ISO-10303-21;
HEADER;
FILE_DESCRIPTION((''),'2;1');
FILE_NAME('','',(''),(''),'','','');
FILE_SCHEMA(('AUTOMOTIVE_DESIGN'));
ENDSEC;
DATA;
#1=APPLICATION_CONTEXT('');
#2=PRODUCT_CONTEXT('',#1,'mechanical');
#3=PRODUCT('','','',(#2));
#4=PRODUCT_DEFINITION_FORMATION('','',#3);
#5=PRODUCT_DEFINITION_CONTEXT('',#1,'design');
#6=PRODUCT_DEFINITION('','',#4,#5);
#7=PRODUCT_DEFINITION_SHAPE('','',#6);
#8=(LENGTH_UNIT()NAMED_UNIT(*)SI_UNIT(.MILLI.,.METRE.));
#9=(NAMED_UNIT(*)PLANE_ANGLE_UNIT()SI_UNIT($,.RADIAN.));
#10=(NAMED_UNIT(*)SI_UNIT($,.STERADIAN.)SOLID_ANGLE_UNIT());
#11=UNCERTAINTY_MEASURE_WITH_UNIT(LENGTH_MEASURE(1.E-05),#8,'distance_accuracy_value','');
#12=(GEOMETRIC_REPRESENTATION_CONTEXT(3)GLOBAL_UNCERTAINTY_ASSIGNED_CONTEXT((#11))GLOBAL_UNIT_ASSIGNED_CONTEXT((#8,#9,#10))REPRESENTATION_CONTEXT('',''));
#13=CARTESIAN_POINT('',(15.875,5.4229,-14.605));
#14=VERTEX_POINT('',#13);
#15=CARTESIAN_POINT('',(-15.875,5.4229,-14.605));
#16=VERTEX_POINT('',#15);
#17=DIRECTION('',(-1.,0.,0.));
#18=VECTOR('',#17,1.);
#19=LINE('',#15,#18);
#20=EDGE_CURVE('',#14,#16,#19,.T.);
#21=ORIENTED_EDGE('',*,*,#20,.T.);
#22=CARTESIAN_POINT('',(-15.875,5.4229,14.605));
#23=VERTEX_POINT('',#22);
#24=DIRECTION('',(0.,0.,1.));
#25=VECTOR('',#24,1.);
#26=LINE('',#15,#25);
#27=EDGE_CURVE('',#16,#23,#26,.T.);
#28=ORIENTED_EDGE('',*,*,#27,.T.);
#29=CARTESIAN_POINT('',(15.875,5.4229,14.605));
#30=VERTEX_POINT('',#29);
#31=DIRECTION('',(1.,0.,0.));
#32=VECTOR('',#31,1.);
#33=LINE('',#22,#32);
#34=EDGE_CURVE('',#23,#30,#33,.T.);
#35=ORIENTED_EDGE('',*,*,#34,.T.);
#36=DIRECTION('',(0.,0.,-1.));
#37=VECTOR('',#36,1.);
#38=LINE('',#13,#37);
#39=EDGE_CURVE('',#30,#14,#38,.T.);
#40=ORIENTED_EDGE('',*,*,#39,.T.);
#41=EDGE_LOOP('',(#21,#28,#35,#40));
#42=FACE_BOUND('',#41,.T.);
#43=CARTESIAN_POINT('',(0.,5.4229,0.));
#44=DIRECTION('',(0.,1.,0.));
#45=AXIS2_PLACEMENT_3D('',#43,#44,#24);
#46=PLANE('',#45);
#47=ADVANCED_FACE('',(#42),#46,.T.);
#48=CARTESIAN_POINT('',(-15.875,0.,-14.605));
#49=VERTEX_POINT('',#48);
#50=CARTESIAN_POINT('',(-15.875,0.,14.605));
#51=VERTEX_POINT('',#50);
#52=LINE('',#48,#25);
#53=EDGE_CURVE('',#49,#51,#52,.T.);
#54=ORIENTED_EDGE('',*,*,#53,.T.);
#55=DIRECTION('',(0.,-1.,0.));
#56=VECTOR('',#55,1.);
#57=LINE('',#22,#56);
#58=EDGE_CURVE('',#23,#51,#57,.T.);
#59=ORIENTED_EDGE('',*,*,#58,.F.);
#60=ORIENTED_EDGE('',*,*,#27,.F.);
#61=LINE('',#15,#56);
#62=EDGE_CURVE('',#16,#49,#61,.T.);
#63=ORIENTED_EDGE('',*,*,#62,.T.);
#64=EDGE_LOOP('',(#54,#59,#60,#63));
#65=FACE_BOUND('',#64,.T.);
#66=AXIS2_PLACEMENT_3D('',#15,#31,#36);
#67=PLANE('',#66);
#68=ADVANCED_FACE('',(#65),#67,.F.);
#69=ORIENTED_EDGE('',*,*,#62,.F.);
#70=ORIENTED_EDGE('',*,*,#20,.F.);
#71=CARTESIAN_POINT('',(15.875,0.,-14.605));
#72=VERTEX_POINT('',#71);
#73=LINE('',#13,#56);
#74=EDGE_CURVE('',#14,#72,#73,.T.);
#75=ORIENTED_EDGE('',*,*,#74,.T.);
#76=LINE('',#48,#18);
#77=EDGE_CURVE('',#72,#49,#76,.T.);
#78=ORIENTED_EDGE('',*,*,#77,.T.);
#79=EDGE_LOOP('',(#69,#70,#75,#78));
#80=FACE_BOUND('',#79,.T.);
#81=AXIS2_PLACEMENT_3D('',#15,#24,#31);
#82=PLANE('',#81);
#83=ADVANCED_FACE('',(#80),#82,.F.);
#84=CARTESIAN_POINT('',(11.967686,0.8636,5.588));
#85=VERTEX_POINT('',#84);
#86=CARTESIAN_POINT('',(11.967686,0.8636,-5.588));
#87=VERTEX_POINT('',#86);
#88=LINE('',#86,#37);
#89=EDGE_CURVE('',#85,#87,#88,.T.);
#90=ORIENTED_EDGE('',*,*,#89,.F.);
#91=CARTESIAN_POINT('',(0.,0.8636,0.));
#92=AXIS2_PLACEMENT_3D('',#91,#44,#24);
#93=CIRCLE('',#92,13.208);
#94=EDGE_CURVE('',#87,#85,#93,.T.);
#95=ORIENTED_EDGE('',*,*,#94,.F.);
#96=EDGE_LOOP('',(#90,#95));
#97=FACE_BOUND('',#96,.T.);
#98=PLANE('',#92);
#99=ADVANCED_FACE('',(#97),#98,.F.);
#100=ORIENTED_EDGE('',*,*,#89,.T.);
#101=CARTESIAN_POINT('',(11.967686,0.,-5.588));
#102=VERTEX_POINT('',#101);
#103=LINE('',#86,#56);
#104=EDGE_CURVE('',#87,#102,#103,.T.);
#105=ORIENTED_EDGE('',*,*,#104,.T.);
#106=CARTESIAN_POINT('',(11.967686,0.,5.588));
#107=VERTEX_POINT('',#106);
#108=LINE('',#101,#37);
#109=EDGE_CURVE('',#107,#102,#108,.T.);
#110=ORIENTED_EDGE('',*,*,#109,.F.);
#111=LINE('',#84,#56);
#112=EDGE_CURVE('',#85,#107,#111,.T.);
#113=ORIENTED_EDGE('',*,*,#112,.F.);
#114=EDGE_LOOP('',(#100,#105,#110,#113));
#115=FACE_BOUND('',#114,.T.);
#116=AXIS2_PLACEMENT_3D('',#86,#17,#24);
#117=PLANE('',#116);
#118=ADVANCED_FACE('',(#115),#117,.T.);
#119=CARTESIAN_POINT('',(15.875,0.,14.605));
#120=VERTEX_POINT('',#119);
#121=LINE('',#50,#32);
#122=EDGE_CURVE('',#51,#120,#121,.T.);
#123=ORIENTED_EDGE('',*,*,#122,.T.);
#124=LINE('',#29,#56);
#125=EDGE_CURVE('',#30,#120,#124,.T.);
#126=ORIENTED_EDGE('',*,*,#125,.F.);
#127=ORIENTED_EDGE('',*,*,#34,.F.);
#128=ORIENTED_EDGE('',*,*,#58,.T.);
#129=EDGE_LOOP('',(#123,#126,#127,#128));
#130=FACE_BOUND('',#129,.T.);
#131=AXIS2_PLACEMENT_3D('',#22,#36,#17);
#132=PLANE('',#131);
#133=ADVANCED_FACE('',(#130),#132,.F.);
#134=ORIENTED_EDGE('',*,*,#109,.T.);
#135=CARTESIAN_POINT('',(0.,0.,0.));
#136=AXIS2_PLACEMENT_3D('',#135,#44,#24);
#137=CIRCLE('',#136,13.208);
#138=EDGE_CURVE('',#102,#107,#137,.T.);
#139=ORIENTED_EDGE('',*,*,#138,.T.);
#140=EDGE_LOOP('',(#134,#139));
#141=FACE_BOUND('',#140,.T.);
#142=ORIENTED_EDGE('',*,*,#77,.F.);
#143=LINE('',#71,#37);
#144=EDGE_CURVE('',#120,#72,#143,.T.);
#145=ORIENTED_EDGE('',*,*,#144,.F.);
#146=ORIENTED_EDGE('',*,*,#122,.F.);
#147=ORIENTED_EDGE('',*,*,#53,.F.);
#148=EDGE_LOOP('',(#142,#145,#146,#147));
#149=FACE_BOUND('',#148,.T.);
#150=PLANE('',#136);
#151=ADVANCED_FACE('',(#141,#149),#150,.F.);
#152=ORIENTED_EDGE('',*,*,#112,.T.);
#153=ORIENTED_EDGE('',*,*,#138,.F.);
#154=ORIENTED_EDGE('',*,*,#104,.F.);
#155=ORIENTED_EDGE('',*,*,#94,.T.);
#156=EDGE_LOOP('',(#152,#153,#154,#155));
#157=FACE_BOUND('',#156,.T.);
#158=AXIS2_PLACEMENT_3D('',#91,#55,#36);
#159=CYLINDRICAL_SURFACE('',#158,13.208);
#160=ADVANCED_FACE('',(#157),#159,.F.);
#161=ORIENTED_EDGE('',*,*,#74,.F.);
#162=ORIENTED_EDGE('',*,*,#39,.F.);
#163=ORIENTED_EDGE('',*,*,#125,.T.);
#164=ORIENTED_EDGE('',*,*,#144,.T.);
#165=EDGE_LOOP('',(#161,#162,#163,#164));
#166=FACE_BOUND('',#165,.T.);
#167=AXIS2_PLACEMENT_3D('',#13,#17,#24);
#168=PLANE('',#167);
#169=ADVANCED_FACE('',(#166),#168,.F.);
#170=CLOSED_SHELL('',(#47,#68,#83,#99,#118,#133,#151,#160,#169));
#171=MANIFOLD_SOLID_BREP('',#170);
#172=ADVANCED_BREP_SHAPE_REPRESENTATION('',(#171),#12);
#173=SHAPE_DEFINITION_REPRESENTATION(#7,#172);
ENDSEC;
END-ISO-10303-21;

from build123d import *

# Parameters (mm, degrees)
SKETCH3_W           = 31.75
SKETCH3_H           = 29.21
BOSS_EXTRUDE2_DEPTH = 5.4229
CUT_EXTRUDE1_DEPTH  = 0.8636


with BuildPart() as part:
    # Sketch3 → Boss-Extrude2 (new body)
    with BuildSketch(Plane(origin=(0, 0, 0), x_dir=(1, 0, 0), z_dir=(0, 1, 0))):
        Rectangle(SKETCH3_W, SKETCH3_H)
    extrude(amount=BOSS_EXTRUDE2_DEPTH)

    # Sketch1 → Cut-Extrude1 (cut)
    with BuildSketch(Plane(origin=(0, 0, 0), x_dir=(1, 0, 0), z_dir=(0, 1, 0))):
        with BuildLine():
            Line((11.967686493, 5.588), (11.967686493, -5.588))
            ThreePointArc((11.967686493, -5.588), (-13.208, 0), (11.967686493, 5.588))
        make_face()
    extrude(amount=CUT_EXTRUDE1_DEPTH, mode=Mode.SUBTRACT)


solid = part.part
